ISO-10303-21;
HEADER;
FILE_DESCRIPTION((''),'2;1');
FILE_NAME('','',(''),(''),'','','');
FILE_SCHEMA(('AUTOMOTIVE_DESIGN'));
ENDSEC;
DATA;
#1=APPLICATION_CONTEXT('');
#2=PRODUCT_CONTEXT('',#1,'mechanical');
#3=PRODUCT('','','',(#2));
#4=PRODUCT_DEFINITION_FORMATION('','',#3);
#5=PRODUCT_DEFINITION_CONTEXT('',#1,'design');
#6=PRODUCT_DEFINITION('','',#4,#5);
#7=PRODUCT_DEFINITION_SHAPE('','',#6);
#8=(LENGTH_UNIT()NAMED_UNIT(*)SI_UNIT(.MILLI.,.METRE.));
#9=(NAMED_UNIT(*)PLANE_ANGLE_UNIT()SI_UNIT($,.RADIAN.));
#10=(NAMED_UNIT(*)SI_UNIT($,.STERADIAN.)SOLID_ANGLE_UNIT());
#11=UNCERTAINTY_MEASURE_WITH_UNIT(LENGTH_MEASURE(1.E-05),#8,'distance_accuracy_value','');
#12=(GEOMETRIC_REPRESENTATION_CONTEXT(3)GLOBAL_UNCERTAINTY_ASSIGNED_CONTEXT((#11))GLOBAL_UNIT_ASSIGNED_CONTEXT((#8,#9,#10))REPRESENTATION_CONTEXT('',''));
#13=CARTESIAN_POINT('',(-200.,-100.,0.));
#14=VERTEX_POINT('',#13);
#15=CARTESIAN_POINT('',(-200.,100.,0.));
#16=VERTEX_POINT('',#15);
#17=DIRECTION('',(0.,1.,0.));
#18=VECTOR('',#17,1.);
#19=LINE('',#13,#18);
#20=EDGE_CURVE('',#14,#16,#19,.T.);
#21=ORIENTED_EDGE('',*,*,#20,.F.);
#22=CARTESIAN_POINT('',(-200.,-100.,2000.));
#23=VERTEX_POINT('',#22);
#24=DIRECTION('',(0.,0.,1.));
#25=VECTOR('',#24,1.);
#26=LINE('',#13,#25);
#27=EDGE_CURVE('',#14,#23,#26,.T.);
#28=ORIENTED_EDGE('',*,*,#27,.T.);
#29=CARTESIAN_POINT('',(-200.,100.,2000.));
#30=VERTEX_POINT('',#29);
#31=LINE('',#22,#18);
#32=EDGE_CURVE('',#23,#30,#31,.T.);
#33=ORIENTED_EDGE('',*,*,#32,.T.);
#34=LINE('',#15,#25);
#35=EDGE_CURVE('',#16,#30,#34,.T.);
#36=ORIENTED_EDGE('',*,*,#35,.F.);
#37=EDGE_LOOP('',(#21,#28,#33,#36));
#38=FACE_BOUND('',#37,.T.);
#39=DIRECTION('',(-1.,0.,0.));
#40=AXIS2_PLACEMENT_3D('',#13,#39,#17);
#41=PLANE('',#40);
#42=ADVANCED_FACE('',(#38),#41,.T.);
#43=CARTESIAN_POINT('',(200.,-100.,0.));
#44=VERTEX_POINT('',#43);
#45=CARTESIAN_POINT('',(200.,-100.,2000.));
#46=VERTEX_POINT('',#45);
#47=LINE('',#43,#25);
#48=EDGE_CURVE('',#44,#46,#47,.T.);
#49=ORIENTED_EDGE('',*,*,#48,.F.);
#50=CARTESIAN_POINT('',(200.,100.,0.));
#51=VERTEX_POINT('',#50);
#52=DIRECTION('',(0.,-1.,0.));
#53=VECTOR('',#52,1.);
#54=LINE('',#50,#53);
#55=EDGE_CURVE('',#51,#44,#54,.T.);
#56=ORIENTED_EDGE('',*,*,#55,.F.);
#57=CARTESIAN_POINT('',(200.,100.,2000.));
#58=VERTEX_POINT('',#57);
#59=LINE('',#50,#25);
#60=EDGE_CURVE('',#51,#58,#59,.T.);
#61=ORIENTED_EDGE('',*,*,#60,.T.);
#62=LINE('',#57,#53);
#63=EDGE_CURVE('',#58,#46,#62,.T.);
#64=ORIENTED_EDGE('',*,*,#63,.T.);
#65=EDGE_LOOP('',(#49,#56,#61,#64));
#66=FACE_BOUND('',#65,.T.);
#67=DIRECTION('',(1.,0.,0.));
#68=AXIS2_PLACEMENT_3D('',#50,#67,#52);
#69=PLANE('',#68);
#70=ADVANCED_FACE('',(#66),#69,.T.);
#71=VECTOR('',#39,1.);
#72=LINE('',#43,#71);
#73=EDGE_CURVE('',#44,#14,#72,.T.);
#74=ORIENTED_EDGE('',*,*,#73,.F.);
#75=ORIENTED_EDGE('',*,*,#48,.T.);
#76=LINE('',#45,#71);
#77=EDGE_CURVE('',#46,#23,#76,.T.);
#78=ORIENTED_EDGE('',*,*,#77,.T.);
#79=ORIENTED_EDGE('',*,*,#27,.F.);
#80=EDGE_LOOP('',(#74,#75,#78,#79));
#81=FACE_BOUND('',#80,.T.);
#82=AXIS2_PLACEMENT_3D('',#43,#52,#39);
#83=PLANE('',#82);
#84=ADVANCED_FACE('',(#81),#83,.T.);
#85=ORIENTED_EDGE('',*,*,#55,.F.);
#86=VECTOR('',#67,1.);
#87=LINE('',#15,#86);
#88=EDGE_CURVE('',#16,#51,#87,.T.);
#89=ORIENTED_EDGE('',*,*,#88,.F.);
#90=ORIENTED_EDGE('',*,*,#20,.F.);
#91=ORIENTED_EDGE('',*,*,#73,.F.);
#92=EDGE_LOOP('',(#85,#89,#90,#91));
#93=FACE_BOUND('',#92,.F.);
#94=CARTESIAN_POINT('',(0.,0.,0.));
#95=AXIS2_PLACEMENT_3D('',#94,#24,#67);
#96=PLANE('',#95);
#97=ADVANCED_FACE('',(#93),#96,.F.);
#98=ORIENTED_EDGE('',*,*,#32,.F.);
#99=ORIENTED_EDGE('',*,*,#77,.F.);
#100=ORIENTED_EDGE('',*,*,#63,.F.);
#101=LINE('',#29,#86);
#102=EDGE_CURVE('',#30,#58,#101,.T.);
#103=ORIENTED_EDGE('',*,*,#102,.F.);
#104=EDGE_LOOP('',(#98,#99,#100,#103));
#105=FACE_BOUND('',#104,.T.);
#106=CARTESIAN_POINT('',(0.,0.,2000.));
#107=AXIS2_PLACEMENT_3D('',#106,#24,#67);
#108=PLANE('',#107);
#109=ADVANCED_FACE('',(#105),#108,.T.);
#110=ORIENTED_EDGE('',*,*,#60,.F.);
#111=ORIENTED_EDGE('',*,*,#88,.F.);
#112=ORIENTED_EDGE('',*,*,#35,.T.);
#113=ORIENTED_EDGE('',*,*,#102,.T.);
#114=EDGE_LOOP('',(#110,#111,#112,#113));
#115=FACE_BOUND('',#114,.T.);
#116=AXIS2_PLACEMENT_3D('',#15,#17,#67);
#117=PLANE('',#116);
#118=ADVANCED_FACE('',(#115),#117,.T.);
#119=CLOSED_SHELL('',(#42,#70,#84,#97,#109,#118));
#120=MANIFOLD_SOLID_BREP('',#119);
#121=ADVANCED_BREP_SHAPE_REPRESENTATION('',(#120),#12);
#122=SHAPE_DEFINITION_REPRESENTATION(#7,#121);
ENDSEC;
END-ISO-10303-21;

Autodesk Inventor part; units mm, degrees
ref_plane "YZ Plane" through (0, 0, 0) normal (1, 0, 0) x (0, 1, 0)
ref_plane "XZ Plane" through (0, 0, 0) normal (0, 1, 0) x (-1, 0, 0)
ref_plane "XY Plane" through (0, 0, 0) normal (0, 0, 1) x (1, 0, 0)
sketch "Sketch1" plane through (0, 0, 0) normal (0, 0, 1) x (1, 0, 0)
  line L0 (-200, 100) -> (200, 100)
  line L1 (200, 100) -> (200, -100)
  line L2 (200, -100) -> (-200, -100)
  line L3 (-200, -100) -> (-200, 100)
  line L4 (-200, 100) -> (200, -100) construction
  line L5 (200, 100) -> (-200, -100) construction
  point P0 (0, 0)
  dimension "d0" = 400
  dimension "d1" = 200
extrude "Extrusion1" add sketch "Sketch1" along normal blind 2000
properties part number "support_frame_02" material "Wood (Maple)"
